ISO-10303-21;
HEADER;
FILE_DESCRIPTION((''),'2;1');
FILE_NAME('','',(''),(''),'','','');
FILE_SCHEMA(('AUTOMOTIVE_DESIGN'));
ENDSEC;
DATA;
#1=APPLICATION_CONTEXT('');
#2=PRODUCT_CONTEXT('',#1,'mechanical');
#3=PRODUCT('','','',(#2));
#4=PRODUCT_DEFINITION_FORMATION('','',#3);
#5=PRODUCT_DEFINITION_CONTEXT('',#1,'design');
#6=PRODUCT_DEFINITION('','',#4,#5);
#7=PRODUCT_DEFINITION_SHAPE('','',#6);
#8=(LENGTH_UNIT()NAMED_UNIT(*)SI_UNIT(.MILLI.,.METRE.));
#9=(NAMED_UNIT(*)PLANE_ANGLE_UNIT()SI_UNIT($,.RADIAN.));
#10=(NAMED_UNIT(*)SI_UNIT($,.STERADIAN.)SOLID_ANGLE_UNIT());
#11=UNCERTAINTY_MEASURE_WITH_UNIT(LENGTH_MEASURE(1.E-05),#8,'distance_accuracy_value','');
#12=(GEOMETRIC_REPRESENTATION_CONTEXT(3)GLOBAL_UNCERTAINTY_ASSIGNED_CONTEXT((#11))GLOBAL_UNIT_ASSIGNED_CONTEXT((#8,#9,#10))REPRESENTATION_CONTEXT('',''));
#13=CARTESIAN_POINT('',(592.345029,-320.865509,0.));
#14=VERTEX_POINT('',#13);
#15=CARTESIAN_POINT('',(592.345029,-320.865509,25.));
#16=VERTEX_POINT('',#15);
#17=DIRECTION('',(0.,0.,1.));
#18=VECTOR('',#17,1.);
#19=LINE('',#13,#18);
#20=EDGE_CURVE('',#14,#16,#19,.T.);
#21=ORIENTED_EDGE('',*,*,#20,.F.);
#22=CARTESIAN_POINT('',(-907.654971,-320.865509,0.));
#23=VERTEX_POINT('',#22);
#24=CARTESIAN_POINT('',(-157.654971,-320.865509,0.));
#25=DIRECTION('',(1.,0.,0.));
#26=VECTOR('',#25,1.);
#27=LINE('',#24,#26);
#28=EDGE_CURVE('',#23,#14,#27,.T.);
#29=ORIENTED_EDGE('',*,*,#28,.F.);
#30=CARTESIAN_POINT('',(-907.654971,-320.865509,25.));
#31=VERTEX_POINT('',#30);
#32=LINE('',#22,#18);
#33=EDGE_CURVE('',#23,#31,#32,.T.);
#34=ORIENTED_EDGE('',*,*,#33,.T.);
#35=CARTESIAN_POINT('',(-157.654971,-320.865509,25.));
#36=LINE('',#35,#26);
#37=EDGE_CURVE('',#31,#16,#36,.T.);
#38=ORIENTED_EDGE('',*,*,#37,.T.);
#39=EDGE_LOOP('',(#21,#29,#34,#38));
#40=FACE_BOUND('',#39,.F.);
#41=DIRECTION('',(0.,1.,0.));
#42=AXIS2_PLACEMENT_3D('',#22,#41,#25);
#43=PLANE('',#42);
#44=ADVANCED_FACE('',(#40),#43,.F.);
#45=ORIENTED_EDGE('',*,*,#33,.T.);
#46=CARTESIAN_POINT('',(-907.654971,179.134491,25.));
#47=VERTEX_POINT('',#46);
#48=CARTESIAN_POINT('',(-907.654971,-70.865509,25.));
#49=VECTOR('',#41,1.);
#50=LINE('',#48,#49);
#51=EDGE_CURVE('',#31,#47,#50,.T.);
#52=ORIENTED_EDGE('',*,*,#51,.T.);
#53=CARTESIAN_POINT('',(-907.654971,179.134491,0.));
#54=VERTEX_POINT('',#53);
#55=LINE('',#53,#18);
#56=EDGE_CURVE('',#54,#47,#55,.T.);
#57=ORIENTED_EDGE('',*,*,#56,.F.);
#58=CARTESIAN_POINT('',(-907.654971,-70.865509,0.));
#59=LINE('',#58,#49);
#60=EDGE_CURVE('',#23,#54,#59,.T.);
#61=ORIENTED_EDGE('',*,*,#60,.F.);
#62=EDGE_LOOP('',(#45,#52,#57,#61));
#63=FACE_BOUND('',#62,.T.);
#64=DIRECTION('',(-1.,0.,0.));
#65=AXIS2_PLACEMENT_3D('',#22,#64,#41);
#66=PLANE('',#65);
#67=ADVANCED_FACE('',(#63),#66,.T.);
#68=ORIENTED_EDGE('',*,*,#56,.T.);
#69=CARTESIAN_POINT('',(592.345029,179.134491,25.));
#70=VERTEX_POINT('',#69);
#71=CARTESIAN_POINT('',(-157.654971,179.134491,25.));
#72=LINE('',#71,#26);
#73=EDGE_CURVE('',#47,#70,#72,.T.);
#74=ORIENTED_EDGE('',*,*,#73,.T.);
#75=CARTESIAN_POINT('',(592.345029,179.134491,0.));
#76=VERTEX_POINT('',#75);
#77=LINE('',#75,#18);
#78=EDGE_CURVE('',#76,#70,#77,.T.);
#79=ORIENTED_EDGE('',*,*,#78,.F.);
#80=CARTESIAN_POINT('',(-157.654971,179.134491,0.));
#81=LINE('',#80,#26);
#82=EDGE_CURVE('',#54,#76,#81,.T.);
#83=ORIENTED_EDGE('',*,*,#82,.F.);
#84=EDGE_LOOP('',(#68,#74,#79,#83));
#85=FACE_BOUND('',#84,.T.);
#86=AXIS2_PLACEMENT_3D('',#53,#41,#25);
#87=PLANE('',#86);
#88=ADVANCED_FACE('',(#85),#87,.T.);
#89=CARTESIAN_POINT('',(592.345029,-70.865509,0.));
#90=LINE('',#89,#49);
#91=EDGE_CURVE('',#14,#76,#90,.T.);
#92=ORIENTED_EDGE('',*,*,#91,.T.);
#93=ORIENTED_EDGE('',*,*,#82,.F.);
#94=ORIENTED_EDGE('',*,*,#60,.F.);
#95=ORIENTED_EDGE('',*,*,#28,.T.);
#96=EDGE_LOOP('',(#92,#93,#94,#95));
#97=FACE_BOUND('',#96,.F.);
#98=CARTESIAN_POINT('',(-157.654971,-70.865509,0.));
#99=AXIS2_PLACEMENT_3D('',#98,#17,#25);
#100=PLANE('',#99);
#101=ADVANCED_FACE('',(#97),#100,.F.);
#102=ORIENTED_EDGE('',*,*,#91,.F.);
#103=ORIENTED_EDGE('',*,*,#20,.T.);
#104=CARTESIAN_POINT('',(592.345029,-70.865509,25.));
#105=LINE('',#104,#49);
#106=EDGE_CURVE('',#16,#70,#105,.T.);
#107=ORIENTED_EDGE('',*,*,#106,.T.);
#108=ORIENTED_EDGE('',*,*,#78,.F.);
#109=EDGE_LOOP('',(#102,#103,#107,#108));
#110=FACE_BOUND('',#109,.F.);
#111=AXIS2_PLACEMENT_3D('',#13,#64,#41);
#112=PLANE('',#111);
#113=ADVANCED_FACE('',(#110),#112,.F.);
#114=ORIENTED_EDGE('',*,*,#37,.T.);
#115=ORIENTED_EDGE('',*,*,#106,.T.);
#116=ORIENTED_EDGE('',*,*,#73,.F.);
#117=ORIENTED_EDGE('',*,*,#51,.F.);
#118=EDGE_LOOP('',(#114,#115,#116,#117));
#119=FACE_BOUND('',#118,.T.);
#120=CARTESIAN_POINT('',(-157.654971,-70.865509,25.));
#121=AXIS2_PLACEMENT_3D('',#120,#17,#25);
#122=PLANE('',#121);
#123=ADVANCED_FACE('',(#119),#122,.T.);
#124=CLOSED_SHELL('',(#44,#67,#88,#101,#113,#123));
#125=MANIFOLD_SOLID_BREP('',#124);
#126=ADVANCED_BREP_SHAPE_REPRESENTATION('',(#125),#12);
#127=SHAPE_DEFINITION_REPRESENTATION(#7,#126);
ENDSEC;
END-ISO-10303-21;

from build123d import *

# Parameters (mm, degrees)
F0_W     = 1500
F0_H     = 500
F1_DEPTH = 25
F2_DEPTH = 25
F3_DEPTH = 25


with BuildPart() as f1:
    # F0 (on Top) → F1 (new body)
    with BuildSketch(Plane.XY):
        with Locations((-157.654971, -70.865509)):
            Rectangle(F0_W, F0_H)
    extrude(amount=F1_DEPTH)

    # F0 (on Top) → F2 (join)
    with BuildSketch(Plane.XY):
        with Locations((-157.654971, -70.865509)):
            Rectangle(F0_W, F0_H)
    extrude(amount=F2_DEPTH)

    # F0 (on Top) → F3 (join)
    with BuildSketch(Plane.XY):
        with Locations((-157.654971, -70.865509)):
            Rectangle(F0_W, F0_H)
    extrude(amount=F3_DEPTH)


solid = f1.part
